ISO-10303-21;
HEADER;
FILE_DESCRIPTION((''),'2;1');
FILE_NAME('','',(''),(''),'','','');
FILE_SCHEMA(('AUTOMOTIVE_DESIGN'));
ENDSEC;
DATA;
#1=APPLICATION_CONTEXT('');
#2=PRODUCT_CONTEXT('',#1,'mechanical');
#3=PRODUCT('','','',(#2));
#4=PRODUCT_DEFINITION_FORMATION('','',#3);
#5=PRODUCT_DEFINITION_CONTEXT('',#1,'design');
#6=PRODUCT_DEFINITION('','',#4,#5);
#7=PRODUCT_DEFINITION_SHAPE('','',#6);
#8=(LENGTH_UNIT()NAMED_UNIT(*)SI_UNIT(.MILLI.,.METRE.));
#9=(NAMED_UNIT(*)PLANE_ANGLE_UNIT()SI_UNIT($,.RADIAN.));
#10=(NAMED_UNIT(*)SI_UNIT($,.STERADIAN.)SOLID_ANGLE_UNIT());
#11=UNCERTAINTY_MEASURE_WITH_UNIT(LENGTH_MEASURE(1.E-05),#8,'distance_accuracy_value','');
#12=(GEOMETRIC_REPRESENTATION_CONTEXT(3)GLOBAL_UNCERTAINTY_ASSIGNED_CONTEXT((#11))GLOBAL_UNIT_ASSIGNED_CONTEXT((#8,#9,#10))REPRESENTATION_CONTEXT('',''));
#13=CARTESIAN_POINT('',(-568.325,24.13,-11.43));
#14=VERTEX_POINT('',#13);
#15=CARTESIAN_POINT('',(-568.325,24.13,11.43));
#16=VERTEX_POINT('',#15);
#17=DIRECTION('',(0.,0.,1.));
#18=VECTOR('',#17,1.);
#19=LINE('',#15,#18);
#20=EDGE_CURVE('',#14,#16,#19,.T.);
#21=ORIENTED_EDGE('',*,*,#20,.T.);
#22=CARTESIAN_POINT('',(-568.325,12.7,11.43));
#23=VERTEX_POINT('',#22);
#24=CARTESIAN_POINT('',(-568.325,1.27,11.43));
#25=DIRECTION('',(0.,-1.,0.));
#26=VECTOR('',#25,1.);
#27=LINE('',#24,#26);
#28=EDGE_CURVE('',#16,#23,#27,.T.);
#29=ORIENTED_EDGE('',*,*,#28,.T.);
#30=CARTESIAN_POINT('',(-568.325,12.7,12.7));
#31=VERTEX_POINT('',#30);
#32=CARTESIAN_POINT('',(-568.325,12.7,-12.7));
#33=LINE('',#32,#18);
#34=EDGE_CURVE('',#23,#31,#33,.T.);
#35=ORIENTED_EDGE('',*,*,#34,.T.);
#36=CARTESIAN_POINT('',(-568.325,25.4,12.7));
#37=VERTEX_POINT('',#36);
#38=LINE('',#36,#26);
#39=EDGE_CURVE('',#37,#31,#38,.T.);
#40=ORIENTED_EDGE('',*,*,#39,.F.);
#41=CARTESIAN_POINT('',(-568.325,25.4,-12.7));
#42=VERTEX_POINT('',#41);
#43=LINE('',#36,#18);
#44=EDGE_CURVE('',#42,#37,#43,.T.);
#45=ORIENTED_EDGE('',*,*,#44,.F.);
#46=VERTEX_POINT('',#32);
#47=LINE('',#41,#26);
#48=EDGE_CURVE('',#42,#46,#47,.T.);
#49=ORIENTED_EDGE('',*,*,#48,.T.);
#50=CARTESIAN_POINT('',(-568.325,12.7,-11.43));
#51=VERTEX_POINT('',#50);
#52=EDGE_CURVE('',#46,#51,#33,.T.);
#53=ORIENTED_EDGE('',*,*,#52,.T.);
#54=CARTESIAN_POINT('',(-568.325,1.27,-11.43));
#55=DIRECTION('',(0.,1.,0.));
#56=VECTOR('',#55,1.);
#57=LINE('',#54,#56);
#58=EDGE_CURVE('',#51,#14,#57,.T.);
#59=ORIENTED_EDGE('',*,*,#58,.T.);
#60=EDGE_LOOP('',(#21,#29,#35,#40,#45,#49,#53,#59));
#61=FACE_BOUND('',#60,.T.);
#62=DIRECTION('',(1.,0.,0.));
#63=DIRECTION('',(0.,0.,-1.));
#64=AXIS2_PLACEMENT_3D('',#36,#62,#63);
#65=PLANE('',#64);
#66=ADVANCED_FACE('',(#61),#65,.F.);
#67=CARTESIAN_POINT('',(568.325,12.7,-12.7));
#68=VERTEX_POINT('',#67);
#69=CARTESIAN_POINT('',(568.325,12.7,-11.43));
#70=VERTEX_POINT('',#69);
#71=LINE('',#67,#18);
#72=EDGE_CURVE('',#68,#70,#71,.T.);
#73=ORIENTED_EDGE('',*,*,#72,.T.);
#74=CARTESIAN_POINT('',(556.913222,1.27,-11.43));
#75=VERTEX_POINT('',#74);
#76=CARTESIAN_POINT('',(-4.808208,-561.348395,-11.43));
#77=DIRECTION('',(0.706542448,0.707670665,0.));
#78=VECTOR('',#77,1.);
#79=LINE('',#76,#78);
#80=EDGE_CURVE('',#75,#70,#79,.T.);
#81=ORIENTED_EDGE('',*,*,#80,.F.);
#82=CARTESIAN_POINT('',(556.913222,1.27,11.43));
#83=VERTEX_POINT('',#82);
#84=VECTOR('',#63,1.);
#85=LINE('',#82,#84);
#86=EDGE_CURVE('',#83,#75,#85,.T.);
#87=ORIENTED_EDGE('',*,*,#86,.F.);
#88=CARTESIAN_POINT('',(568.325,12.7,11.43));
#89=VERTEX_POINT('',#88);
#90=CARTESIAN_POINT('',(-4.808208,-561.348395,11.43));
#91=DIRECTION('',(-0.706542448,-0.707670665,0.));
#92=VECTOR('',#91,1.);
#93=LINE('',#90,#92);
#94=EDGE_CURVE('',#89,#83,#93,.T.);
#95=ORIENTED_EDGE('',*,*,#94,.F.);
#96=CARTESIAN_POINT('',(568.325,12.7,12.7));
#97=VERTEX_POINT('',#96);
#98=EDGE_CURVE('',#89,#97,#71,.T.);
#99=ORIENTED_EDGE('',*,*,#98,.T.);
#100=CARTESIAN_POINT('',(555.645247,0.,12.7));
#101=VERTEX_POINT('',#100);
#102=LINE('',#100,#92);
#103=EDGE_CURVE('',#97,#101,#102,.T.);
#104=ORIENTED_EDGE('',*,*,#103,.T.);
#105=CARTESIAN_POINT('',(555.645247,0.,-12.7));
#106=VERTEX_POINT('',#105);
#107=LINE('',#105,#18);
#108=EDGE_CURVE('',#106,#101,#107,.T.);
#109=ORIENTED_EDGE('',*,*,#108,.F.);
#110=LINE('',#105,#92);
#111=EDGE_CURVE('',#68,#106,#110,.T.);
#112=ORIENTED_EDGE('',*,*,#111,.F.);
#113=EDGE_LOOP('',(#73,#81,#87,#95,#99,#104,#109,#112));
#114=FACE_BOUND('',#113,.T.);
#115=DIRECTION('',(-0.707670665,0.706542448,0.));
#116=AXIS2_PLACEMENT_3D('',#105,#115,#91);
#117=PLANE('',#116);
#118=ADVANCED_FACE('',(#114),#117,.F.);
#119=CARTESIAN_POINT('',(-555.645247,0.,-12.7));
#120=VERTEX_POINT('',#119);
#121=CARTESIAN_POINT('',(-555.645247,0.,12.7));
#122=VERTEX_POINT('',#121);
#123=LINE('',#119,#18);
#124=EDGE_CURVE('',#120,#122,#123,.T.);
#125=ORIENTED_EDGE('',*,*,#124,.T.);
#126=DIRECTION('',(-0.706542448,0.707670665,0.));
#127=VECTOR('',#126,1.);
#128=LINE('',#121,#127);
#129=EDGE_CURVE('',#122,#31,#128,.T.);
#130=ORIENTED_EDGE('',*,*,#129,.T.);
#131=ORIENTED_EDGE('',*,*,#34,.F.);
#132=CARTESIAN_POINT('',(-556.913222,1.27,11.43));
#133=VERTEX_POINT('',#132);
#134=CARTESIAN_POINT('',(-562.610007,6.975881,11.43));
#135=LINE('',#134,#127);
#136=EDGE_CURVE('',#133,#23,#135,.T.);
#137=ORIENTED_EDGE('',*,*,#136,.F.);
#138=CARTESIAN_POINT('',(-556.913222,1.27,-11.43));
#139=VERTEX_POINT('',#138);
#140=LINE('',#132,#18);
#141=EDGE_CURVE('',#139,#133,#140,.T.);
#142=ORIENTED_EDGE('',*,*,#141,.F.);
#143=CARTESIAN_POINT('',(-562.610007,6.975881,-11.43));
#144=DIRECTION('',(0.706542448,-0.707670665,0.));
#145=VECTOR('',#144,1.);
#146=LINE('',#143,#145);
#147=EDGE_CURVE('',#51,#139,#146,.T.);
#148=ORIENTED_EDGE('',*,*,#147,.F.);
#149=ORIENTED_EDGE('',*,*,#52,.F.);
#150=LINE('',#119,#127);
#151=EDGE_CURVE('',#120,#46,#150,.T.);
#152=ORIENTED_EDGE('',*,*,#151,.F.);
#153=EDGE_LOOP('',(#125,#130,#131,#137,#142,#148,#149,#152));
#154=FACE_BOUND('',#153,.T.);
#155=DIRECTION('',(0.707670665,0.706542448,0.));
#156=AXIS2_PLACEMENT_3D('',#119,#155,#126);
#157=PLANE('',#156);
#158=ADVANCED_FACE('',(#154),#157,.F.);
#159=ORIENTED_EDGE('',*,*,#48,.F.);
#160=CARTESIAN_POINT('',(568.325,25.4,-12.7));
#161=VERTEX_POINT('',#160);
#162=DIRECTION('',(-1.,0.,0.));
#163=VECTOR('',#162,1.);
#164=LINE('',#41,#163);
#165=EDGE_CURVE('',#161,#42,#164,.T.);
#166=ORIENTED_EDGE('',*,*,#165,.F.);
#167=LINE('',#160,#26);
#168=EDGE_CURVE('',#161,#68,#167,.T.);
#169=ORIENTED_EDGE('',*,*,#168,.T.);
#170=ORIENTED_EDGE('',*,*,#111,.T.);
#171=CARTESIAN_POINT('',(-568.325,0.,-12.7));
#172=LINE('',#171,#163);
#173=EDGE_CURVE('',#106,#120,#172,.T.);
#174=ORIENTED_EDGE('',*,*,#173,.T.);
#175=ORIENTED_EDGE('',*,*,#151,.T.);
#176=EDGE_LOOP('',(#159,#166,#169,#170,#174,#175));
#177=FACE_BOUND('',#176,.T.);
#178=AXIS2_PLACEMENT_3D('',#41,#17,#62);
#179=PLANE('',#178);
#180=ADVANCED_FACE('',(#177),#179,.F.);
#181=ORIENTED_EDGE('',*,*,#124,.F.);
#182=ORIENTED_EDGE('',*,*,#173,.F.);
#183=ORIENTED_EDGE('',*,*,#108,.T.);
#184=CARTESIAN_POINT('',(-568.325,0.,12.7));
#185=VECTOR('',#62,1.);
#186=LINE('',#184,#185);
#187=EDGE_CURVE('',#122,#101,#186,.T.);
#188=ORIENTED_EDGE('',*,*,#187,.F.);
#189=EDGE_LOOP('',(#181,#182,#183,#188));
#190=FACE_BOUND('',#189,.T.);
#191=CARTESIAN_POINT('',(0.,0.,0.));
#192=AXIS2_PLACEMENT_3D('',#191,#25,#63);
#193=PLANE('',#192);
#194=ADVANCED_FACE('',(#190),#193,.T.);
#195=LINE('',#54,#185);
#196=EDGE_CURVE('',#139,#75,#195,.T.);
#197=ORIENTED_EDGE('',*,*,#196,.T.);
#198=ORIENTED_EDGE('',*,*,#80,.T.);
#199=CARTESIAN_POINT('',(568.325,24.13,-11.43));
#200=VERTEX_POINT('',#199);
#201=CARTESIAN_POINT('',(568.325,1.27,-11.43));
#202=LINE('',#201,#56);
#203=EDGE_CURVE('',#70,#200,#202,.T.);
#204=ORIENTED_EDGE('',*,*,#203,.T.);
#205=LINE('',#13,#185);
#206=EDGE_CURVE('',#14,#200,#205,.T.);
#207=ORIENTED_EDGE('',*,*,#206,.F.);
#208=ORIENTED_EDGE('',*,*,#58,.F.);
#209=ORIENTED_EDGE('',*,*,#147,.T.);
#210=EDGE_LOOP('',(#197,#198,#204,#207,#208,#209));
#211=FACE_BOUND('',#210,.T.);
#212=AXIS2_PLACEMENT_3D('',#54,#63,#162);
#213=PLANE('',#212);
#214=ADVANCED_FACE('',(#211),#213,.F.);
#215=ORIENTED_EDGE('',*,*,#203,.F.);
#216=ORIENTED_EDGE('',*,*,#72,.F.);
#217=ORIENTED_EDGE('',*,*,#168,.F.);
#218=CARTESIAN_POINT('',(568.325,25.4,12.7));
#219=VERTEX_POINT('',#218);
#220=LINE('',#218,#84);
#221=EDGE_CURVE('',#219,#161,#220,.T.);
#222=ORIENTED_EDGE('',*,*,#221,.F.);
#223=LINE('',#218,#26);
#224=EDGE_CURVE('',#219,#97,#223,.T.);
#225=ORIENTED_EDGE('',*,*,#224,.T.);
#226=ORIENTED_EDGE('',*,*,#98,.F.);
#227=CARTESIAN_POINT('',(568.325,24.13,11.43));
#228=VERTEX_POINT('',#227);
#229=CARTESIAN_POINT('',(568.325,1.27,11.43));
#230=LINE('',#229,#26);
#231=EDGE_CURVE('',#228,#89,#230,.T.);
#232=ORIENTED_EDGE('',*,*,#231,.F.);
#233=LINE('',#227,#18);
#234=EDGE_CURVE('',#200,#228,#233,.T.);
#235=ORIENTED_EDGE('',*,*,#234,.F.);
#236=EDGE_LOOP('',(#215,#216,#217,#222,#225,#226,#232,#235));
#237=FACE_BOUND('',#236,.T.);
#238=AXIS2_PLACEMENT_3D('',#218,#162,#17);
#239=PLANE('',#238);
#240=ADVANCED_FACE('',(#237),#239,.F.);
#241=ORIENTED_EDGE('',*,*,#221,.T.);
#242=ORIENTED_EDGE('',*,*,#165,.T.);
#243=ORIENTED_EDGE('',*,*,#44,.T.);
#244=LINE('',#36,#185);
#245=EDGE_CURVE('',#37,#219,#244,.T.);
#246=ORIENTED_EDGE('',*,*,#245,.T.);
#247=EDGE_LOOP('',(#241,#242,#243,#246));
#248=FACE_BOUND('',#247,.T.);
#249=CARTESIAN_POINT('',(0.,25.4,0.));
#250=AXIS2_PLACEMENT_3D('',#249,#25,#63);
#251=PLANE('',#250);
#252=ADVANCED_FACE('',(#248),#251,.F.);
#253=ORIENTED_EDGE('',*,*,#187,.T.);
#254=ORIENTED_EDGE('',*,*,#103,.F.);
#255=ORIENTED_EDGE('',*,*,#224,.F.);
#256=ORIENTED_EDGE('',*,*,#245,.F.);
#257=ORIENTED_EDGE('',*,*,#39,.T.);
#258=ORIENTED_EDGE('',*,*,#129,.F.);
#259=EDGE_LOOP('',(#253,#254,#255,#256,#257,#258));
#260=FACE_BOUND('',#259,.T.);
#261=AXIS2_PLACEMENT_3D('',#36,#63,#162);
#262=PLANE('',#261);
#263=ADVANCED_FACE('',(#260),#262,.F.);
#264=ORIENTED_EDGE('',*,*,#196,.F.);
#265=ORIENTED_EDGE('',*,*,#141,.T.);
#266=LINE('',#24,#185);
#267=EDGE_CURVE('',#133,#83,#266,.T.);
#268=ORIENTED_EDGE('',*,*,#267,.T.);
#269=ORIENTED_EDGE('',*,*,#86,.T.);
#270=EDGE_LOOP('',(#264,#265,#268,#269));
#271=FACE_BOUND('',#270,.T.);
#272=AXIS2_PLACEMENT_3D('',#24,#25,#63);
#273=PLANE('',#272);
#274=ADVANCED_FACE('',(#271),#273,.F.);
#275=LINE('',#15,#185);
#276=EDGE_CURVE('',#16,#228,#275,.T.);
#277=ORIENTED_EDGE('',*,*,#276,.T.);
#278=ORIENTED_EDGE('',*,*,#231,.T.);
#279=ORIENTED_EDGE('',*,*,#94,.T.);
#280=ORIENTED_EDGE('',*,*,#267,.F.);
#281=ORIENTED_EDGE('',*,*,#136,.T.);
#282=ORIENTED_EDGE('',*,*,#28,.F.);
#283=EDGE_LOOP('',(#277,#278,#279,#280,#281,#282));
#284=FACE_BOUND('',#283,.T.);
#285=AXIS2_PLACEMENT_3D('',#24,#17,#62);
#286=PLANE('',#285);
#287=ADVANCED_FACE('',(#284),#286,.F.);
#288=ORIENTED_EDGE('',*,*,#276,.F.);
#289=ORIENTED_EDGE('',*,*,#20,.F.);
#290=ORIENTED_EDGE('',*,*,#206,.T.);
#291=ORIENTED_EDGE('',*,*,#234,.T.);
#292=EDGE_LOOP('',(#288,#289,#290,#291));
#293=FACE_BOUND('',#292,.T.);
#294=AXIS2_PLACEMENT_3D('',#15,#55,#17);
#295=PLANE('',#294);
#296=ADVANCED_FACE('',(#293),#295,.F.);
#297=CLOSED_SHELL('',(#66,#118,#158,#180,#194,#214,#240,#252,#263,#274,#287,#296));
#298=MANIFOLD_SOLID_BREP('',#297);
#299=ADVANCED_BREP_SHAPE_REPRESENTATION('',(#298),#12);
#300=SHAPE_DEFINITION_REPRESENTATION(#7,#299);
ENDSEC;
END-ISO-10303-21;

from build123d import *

# Parameters (mm, degrees)
BASE_W           = 1136.65
BASE_H           = 25.4
BOSS_FRAME_DEPTH = 25.4
SKETCH2_W        = 22.86
SKETCH2_H        = 22.86
CUT_HOLLOW_DEPTH = 1138.004693262
CUT_ANGLE_DEPTH  = 570.459064047


with BuildPart() as part:
    # Base → Boss-Frame (new body)
    with BuildSketch(Plane(origin=(0, 0, 0), x_dir=(1, 0, 0), z_dir=(0, 1, 0))):
        Rectangle(BASE_W, BASE_H)
    extrude(amount=BOSS_FRAME_DEPTH)

    # Sketch2 → Cut-Hollow (cut, through all)
    with BuildSketch(Plane(origin=(568.325, 0, 0), x_dir=(0, 0, -1), z_dir=(1, 0, 0))):
        with Locations((0, 12.7)):
            Rectangle(SKETCH2_W, SKETCH2_H)
    extrude(amount=-CUT_HOLLOW_DEPTH, mode=Mode.SUBTRACT)

    # Sketch4 → Cut-Angle (cut, through all)
    with BuildSketch(Plane.XY.offset(12.7)):
        Polygon((-568.325, 12.7), (-568.325, 0), (-555.645247213, 0), align=None)
        Polygon((568.325, 0), (555.645247213, 0), (568.325, 12.7), align=None)
    extrude(amount=-CUT_ANGLE_DEPTH, mode=Mode.SUBTRACT)


solid = part.part
